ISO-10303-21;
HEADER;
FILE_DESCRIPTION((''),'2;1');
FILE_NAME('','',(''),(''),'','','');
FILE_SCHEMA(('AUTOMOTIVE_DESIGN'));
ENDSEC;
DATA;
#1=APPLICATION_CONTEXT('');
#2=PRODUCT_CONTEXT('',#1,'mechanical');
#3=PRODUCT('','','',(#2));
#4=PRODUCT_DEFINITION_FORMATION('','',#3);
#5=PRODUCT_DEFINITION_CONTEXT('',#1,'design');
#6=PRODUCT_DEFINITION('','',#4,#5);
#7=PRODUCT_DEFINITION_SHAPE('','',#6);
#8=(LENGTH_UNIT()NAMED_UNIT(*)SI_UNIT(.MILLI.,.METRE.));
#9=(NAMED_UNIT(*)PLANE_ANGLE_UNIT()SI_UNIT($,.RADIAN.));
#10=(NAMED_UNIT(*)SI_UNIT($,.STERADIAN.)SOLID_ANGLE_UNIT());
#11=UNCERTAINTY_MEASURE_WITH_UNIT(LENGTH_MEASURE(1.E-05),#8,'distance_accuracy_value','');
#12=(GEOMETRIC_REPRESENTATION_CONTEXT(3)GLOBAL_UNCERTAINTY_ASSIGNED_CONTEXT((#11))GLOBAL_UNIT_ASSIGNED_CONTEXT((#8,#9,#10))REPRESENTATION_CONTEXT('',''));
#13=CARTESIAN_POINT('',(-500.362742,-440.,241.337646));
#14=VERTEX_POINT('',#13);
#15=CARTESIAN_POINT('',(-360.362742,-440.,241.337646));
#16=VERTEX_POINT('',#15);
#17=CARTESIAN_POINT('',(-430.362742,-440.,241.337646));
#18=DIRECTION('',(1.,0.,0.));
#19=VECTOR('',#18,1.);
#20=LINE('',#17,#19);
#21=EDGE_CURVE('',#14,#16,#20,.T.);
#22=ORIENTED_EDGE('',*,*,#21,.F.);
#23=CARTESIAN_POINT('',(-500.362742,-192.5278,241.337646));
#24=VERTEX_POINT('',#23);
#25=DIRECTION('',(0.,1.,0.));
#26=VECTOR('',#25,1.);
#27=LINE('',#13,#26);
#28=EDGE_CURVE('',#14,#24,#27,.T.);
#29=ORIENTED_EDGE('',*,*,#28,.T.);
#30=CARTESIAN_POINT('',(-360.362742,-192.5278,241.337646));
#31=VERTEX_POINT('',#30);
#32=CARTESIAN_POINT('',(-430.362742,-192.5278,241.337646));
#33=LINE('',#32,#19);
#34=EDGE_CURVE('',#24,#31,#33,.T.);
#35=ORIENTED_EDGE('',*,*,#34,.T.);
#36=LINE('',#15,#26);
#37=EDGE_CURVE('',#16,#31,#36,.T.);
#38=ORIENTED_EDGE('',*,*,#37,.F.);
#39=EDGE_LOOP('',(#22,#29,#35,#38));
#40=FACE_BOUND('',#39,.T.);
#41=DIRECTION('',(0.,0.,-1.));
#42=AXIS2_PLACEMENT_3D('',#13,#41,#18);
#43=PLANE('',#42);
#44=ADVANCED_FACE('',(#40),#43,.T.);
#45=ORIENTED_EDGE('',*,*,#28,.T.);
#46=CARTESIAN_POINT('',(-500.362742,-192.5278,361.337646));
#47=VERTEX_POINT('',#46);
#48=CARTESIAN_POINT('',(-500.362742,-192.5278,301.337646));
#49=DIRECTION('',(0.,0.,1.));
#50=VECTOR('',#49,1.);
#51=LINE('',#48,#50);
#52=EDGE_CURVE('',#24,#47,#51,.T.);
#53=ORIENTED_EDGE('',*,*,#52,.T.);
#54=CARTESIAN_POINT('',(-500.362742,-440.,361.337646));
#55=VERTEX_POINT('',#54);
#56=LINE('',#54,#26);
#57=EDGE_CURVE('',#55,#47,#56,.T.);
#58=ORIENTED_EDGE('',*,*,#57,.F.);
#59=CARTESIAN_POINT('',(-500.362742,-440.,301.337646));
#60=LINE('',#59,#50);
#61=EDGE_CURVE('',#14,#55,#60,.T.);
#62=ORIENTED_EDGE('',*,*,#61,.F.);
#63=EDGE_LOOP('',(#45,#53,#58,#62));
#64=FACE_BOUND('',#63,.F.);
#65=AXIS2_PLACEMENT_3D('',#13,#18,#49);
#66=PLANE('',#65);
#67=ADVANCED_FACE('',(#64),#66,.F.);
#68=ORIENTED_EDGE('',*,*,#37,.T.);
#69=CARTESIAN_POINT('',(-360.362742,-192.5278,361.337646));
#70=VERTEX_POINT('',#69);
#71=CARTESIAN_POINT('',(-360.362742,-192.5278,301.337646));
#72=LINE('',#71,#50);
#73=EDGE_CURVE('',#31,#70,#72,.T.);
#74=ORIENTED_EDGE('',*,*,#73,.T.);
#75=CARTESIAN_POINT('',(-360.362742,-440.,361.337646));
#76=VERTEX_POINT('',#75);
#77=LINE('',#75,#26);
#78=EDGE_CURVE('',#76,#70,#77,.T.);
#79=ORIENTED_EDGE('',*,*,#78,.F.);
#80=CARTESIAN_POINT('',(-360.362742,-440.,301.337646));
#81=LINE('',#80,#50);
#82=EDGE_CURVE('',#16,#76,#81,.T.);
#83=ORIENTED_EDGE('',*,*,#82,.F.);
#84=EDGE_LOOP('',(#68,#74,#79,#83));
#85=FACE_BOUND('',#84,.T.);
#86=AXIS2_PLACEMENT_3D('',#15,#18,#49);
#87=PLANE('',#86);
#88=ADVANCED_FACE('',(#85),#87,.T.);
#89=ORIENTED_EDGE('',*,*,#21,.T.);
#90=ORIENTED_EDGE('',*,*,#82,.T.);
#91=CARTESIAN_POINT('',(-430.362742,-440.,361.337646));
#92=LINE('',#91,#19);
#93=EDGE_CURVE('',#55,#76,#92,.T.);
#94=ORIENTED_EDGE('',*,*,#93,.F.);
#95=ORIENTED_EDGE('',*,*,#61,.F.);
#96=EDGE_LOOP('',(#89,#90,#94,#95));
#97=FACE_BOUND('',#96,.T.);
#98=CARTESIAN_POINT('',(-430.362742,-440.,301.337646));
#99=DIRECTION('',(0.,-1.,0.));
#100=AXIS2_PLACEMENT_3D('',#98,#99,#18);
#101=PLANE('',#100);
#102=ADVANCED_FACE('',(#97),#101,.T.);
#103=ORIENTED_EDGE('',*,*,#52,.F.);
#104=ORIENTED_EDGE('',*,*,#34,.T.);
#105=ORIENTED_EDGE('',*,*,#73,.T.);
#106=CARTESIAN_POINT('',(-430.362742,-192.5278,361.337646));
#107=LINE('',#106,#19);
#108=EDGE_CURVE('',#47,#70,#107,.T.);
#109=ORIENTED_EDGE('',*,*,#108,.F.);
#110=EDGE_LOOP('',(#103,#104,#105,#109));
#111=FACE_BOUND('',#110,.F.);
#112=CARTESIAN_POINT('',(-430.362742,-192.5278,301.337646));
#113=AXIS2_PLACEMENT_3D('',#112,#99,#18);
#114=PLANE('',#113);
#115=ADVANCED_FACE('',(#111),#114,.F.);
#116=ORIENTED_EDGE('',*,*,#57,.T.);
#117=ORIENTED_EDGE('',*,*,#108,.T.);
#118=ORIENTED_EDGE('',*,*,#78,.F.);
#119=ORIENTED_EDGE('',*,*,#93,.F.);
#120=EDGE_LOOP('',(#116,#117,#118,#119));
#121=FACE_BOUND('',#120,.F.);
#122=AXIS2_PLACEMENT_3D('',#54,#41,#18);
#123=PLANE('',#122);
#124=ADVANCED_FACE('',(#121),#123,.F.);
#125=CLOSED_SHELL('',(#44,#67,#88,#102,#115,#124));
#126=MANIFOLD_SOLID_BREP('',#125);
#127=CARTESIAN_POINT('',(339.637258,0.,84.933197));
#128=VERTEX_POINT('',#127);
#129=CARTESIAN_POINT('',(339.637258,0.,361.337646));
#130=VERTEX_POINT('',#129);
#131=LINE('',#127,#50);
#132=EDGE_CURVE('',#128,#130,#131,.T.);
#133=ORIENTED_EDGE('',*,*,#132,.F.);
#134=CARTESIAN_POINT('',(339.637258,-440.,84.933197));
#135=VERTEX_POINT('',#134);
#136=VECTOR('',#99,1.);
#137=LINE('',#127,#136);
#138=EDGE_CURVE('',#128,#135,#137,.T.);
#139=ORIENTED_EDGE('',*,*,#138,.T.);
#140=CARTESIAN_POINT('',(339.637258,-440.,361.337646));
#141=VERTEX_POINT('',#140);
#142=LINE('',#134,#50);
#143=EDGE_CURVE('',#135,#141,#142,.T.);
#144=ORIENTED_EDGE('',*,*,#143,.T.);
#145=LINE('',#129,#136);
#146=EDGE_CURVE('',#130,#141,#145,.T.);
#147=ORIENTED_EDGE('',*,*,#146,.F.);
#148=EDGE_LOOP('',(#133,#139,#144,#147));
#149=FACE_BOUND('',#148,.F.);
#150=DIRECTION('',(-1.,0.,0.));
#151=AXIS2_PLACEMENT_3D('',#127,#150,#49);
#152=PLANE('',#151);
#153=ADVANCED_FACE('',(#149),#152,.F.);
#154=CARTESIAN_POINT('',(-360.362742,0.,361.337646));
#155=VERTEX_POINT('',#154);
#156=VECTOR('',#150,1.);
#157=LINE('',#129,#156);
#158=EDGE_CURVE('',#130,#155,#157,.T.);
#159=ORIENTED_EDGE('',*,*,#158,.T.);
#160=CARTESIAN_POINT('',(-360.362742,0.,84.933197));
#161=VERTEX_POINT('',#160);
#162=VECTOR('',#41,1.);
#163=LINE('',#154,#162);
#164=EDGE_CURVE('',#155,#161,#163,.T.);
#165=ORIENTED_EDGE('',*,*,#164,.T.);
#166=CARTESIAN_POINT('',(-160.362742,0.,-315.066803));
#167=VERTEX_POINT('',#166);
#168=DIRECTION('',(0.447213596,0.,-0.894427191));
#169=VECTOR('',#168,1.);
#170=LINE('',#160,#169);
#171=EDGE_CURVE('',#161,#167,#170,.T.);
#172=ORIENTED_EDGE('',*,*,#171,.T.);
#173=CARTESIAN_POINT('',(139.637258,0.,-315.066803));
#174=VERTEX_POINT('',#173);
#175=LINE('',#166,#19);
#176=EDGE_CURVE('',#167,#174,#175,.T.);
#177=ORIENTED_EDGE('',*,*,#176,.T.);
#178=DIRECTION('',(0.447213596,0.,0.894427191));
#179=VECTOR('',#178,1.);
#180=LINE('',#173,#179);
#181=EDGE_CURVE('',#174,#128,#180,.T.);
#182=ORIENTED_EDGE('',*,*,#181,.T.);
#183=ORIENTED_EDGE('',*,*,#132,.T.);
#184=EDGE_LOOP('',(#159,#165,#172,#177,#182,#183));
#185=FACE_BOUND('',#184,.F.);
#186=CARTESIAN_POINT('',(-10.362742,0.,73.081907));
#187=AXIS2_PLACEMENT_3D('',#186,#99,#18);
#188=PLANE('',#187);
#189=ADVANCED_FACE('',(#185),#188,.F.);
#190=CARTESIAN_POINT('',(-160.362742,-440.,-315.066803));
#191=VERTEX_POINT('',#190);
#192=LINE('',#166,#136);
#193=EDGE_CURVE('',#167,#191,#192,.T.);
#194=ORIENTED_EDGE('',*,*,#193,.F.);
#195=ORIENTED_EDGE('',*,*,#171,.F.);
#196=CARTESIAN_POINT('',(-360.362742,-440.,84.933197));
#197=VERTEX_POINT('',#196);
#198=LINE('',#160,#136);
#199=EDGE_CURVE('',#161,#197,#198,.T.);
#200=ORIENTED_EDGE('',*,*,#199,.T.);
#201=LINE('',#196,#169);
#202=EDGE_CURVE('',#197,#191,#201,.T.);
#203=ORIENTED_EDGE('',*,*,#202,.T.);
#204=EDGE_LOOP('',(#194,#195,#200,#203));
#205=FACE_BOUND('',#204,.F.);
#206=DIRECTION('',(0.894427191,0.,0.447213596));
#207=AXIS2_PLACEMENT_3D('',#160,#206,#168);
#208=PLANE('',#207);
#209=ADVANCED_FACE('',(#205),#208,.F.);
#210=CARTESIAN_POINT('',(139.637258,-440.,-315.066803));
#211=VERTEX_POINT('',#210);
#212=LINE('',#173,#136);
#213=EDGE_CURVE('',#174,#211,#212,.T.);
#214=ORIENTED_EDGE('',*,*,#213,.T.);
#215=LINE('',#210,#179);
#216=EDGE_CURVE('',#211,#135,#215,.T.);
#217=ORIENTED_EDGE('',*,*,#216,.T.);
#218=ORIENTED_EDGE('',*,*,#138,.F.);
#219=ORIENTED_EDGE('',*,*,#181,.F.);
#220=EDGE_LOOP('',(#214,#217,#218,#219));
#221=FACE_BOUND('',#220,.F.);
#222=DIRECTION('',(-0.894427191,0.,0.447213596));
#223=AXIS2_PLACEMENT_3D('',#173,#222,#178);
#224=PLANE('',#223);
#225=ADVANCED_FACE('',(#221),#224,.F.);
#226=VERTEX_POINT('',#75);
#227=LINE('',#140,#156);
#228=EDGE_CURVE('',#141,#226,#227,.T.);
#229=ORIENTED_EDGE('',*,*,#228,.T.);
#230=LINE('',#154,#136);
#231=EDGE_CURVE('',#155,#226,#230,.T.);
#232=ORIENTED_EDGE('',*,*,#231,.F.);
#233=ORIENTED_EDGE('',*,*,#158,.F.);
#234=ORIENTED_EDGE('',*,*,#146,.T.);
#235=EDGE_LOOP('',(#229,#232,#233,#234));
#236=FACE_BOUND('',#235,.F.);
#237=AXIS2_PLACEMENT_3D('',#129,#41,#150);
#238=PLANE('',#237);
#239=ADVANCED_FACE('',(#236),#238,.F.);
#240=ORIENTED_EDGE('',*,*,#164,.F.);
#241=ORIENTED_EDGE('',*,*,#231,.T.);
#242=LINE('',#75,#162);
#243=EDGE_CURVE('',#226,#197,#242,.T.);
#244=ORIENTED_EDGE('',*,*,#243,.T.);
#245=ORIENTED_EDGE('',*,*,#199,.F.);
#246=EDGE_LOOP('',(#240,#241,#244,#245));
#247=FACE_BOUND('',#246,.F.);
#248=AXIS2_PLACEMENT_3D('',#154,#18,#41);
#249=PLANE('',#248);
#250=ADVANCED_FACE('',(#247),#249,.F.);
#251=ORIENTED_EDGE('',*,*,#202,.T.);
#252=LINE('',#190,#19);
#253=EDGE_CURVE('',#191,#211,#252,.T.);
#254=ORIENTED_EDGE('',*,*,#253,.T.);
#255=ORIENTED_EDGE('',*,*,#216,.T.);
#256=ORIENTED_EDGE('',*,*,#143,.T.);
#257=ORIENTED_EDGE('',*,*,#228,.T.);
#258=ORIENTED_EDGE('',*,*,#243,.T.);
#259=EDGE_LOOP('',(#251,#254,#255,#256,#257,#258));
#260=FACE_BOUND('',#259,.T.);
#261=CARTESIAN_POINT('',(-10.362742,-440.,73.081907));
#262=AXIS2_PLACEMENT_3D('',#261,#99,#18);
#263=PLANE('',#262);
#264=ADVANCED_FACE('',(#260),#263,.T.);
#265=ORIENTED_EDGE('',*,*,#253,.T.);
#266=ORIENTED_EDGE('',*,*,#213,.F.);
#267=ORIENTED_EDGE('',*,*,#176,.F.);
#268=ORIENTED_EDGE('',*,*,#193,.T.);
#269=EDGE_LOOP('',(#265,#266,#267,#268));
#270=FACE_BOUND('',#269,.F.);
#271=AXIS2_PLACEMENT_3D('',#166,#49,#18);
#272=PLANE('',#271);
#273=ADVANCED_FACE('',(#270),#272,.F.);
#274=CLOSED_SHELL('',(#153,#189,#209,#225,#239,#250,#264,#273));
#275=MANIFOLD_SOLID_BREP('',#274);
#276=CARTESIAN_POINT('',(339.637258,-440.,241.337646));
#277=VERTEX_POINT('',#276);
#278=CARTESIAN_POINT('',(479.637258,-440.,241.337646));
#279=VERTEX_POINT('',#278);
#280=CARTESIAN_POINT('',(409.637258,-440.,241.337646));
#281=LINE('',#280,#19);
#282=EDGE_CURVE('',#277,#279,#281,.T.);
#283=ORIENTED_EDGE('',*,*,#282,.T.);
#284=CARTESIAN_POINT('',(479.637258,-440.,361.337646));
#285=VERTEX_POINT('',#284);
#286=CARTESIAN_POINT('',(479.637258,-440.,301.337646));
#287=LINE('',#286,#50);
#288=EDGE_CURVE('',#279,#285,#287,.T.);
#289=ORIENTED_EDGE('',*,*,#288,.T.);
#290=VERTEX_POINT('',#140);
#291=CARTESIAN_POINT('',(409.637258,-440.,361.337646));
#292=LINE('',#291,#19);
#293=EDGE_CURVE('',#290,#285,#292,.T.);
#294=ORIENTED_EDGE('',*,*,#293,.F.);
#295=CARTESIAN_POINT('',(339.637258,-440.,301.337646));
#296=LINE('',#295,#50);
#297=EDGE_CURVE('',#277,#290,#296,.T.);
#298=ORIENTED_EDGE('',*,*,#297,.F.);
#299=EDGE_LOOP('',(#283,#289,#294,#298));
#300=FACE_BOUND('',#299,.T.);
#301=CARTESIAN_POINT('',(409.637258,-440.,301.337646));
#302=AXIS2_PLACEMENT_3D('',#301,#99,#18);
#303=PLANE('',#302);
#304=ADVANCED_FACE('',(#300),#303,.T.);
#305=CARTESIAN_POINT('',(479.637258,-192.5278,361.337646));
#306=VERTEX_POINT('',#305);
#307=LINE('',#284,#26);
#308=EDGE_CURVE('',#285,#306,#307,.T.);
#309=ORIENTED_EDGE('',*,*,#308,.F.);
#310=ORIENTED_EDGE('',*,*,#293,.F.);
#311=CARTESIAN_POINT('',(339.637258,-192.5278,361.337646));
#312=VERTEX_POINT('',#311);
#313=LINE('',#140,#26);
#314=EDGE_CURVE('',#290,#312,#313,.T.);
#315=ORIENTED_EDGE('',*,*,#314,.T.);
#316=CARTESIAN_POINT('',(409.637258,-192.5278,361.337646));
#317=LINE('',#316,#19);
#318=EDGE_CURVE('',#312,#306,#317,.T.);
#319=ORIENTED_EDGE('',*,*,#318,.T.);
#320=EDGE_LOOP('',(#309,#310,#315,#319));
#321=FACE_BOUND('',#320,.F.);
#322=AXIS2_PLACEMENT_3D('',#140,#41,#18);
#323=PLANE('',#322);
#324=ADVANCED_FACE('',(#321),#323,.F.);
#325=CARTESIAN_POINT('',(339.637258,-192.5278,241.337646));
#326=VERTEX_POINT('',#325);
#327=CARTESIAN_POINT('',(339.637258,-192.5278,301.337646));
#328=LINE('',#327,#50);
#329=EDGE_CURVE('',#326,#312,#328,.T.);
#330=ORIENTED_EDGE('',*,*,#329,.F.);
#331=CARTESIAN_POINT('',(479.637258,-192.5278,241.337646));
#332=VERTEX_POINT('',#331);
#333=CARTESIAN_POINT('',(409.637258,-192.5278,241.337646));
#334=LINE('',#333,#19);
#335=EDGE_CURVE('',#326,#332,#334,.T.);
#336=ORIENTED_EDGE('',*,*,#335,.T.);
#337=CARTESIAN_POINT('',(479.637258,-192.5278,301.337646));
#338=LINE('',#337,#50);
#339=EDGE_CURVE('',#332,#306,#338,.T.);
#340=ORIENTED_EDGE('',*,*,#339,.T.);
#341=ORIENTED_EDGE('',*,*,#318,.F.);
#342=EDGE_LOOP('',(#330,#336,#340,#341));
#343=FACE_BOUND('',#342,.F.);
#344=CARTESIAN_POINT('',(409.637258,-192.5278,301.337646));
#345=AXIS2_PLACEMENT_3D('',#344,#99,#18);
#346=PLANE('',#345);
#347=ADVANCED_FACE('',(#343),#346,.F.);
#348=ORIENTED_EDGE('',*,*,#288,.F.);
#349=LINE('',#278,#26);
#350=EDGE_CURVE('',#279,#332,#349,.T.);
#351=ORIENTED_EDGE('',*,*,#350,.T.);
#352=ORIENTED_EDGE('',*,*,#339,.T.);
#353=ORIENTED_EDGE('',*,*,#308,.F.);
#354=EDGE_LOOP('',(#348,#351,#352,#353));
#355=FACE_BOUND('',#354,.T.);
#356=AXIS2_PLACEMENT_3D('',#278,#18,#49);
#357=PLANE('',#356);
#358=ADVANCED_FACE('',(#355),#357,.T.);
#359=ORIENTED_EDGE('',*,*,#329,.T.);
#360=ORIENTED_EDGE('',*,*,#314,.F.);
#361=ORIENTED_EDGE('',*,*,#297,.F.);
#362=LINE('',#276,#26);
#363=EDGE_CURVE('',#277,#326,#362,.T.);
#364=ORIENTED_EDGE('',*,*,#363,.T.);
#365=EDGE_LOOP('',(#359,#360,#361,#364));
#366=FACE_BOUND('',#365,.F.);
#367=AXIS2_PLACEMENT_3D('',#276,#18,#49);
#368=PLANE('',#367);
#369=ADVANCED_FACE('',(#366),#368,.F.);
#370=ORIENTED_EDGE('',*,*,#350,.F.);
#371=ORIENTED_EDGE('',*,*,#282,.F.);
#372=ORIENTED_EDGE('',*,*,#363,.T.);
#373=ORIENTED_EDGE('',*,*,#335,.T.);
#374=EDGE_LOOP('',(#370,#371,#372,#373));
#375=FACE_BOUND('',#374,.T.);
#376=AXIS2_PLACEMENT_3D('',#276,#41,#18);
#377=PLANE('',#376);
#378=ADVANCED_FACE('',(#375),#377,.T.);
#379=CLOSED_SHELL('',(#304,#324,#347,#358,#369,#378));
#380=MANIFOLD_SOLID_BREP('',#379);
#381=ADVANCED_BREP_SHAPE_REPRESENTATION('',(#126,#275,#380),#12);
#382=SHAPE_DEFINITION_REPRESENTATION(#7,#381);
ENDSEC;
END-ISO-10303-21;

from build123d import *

# Parameters (mm, degrees)
F1_DEPTH = 440
F2_W     = 140
F2_H     = 120
F3_DEPTH = 247.4722


with BuildPart() as f1:
    # F0 (on Front) → F1 (new body)
    with BuildSketch(Plane.XZ):
        Polygon((-160.362742, -315.066803), (139.637258, -315.066803), (339.637258, 84.933197), (339.637258, 361.337646), (-360.362742, 361.337646), (-360.362742, 84.933197), align=None)
    extrude(amount=F1_DEPTH)


with BuildPart() as f3:
    # F2 (on face) → F3 (new body)
    with BuildSketch(Plane.XZ.offset(440)):
        with Locations((-430.362742, 301.337646)):
            Rectangle(F2_W, F2_H)
        with Locations((409.637258, 301.337646)):
            Rectangle(F2_W, F2_H)
    extrude(amount=-F3_DEPTH)


solid = Compound([f1.part, f3.part])
